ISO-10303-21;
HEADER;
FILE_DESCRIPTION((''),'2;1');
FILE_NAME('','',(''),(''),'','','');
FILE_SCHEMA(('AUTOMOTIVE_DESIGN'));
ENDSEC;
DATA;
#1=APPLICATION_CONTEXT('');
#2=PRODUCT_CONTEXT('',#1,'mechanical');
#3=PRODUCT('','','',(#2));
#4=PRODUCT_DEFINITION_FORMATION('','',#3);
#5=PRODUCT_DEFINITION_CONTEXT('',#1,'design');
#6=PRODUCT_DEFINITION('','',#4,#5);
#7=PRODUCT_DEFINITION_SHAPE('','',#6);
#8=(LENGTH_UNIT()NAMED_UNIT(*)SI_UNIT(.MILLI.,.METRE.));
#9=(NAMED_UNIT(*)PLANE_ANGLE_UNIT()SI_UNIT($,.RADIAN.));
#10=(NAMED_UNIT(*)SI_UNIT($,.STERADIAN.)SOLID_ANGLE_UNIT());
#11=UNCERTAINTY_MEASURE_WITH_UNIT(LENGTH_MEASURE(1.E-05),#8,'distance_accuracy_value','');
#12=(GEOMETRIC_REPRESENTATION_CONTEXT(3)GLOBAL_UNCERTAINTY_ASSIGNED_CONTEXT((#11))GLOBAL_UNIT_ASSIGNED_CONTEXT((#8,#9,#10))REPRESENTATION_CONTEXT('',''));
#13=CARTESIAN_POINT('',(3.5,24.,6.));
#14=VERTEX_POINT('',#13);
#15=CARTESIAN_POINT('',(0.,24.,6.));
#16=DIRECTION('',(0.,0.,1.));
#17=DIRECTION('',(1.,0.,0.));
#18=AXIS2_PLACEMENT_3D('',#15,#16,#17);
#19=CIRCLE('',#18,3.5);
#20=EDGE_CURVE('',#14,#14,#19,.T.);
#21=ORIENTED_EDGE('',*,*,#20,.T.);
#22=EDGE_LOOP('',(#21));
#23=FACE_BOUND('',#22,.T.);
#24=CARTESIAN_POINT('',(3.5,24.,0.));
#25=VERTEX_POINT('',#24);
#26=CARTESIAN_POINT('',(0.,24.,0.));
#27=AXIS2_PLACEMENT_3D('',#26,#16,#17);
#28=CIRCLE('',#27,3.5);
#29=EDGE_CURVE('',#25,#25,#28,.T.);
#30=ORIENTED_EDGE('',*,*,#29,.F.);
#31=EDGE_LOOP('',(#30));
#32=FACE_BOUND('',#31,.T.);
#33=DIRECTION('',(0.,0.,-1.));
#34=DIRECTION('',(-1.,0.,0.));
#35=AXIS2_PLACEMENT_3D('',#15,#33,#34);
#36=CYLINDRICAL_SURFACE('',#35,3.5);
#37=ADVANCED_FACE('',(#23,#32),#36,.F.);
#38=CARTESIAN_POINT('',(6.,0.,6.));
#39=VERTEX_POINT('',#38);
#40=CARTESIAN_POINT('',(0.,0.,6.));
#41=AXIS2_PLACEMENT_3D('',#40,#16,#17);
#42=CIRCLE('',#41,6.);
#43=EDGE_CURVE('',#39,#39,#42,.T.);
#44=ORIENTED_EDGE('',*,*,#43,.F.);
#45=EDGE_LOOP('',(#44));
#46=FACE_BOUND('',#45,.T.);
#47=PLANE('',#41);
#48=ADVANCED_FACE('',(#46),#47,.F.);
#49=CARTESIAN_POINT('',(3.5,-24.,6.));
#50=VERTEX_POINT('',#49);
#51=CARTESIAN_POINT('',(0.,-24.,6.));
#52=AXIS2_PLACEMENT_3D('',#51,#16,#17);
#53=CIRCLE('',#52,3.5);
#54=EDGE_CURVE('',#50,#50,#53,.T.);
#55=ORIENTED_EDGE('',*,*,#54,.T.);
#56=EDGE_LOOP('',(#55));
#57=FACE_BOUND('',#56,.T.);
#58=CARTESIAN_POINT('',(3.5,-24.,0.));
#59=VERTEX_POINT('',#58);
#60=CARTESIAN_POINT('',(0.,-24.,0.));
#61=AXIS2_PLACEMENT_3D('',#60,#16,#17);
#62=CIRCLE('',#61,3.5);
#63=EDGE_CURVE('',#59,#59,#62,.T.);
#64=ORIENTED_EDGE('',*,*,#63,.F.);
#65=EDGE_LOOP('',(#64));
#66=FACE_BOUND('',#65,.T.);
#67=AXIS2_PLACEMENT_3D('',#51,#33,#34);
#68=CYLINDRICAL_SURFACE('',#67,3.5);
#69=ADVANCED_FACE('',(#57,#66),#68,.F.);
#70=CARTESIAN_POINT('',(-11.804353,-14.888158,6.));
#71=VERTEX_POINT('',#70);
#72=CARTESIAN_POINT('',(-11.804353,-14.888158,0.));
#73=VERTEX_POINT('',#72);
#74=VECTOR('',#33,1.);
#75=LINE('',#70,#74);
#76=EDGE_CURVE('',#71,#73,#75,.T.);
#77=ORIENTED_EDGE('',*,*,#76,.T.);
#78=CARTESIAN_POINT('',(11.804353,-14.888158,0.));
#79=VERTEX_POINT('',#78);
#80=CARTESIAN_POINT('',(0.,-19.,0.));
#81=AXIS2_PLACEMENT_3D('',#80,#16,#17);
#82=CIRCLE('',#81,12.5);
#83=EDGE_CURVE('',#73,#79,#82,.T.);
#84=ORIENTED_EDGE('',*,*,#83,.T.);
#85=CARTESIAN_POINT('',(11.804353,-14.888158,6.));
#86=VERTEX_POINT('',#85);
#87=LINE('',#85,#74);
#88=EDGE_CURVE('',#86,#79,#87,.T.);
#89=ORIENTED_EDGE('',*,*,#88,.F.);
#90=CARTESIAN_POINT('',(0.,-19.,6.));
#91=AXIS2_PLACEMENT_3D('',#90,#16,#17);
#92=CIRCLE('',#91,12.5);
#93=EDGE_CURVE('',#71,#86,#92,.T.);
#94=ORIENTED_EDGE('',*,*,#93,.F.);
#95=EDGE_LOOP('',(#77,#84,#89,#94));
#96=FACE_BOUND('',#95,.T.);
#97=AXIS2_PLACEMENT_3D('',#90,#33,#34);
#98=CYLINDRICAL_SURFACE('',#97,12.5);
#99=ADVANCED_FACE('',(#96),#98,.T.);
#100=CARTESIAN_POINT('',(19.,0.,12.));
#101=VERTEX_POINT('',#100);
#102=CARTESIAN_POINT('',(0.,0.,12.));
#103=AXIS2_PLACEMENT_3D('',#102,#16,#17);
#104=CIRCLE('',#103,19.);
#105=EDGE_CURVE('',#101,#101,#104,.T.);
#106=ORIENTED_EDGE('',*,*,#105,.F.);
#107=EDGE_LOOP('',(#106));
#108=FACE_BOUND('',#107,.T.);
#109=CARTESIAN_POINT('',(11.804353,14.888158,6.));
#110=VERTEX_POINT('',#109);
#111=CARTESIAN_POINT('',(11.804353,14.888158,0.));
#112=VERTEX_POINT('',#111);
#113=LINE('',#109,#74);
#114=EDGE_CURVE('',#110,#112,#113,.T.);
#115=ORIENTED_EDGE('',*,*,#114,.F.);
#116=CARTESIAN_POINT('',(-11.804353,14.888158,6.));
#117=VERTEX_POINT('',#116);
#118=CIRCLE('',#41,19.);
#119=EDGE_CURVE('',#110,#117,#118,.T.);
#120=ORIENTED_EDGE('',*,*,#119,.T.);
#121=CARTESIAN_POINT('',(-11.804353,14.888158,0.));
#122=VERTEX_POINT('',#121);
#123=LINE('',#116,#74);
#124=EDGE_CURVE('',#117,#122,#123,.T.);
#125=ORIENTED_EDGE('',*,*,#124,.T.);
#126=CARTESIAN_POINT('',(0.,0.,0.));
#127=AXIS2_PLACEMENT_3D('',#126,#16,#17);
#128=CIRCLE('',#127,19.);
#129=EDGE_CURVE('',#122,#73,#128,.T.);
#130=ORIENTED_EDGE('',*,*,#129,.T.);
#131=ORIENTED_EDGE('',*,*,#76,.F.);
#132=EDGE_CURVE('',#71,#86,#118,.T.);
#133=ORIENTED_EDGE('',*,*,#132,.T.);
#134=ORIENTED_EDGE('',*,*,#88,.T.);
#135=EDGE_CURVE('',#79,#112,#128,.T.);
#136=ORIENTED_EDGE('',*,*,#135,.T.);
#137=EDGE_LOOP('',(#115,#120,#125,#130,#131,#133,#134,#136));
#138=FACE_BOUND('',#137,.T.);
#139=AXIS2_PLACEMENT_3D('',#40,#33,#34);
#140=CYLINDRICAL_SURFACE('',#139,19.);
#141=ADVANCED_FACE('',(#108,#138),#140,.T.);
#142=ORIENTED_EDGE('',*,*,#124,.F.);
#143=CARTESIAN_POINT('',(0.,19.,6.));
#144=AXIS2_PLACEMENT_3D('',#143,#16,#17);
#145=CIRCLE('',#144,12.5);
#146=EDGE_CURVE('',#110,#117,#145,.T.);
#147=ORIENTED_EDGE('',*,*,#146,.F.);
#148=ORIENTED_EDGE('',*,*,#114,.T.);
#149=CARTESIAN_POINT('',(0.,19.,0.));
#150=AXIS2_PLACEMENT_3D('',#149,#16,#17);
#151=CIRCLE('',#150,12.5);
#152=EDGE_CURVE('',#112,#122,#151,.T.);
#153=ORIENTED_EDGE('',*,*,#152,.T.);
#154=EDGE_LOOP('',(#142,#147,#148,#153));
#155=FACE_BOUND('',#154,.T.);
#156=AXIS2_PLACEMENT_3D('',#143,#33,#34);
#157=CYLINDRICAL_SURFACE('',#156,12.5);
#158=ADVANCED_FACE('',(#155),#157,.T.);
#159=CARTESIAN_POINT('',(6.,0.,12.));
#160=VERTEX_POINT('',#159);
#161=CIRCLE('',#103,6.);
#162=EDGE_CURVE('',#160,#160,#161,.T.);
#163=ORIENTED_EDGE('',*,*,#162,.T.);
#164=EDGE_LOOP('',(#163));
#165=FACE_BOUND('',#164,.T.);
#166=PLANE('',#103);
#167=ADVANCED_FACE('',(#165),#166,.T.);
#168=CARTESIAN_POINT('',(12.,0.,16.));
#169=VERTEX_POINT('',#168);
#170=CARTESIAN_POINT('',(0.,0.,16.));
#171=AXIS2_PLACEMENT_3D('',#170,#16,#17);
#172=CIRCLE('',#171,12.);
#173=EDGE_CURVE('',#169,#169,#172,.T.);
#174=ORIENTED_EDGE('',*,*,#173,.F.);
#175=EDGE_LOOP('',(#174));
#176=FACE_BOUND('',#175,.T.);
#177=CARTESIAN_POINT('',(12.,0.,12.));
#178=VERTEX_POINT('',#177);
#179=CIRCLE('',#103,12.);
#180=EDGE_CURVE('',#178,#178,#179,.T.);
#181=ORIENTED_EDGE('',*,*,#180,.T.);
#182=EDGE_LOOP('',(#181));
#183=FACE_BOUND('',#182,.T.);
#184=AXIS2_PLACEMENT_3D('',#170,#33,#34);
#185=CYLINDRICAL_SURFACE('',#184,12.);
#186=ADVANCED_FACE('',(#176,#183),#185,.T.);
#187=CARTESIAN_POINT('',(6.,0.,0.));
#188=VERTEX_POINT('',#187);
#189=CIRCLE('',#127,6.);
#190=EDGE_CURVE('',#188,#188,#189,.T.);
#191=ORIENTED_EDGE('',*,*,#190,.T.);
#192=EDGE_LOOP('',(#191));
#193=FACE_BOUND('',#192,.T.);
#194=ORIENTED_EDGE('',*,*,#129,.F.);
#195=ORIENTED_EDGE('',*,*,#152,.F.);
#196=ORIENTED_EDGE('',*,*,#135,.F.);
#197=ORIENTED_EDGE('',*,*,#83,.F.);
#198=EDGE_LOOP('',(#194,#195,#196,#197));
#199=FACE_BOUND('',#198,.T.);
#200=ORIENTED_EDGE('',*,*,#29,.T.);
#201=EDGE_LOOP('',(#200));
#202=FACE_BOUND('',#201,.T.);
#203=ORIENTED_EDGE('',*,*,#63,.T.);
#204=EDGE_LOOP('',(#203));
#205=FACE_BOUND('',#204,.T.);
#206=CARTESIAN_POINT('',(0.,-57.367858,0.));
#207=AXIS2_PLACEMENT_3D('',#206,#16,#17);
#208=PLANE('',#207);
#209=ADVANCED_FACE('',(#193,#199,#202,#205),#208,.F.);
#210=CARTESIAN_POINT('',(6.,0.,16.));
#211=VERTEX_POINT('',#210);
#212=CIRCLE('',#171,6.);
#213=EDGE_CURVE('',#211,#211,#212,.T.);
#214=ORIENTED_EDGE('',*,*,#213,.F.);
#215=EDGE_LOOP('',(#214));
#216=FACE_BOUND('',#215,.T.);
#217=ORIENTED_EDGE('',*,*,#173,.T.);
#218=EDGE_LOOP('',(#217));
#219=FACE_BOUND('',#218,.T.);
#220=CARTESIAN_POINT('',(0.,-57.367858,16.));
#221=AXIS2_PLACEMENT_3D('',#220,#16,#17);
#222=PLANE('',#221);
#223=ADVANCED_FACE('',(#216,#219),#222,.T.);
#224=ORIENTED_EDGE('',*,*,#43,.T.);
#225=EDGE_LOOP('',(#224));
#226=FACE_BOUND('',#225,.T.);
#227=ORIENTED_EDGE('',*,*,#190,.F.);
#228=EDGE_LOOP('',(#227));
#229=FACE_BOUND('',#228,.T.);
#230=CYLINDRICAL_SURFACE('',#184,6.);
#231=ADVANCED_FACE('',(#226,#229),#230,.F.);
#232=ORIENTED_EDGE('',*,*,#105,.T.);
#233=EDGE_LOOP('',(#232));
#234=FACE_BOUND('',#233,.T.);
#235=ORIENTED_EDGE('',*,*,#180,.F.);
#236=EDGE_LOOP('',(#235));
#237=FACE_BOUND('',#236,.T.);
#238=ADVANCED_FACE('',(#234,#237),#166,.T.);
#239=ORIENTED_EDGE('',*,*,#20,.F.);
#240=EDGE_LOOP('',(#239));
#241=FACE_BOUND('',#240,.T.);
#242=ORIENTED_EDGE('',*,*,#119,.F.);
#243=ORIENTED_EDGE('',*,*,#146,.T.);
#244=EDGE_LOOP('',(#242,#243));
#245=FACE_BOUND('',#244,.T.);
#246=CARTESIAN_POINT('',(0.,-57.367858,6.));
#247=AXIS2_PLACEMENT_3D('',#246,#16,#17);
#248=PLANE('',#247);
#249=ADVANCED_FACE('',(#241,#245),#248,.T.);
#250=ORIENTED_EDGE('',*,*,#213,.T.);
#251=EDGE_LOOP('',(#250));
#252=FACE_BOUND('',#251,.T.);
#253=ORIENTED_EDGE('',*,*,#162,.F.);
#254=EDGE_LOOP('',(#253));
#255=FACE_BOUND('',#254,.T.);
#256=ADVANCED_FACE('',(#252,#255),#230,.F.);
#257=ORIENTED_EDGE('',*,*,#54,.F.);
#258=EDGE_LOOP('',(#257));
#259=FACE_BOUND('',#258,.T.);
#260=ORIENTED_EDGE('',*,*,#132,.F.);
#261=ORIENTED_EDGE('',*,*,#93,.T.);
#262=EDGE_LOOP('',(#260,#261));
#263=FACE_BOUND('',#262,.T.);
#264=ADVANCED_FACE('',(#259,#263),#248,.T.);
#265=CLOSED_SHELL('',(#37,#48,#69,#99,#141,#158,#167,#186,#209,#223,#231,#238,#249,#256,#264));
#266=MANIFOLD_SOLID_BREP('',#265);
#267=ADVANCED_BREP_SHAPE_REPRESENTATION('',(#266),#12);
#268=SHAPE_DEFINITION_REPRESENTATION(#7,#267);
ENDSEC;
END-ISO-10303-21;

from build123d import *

# Parameters (mm, degrees)
SKETCH1_R      = 12
SKETCH1_R_2    = 3.5
EXTRUDE1_DEPTH = 6
SKETCH1_3_R    = 12
SKETCH1_3_R_2  = 6
EXTRUDE2_DEPTH = 16
SKETCH2_R      = 19
EXTRUDE3_DEPTH = 6


with BuildPart() as part:
    # Sketch1 → Extrude1 (new body)
    with BuildSketch(Plane.XY):
        with BuildLine():
            ThreePointArc((11.804353201, 14.888157895), (0, 31.5), (-11.804353201, 14.888157895))
            ThreePointArc((-11.804353201, 14.888157895), (-19, 0), (-11.804353201, -14.888157895))
            ThreePointArc((-11.804353201, -14.888157895), (0, -31.5), (11.804353201, -14.888157895))
            ThreePointArc((11.804353201, -14.888157895), (19, 0), (11.804353201, 14.888157895))
        make_face()
        Circle(SKETCH1_R, mode=Mode.SUBTRACT)
        with Locations((0, 24)):
            Circle(SKETCH1_R_2, mode=Mode.SUBTRACT)
        with Locations((0, -24)):
            Circle(SKETCH1_R_2, mode=Mode.SUBTRACT)
    extrude(amount=EXTRUDE1_DEPTH)

    # Sketch1<3> → Extrude2 (add)
    with BuildSketch(Plane.XY):
        Circle(SKETCH1_3_R)
        Circle(SKETCH1_3_R_2, mode=Mode.SUBTRACT)
    extrude(amount=EXTRUDE2_DEPTH)

    # Sketch2 → Extrude3 (add)
    with BuildSketch(Plane.XY.offset(6)):
        Circle(SKETCH2_R)
    extrude(amount=EXTRUDE3_DEPTH)


solid = part.part
